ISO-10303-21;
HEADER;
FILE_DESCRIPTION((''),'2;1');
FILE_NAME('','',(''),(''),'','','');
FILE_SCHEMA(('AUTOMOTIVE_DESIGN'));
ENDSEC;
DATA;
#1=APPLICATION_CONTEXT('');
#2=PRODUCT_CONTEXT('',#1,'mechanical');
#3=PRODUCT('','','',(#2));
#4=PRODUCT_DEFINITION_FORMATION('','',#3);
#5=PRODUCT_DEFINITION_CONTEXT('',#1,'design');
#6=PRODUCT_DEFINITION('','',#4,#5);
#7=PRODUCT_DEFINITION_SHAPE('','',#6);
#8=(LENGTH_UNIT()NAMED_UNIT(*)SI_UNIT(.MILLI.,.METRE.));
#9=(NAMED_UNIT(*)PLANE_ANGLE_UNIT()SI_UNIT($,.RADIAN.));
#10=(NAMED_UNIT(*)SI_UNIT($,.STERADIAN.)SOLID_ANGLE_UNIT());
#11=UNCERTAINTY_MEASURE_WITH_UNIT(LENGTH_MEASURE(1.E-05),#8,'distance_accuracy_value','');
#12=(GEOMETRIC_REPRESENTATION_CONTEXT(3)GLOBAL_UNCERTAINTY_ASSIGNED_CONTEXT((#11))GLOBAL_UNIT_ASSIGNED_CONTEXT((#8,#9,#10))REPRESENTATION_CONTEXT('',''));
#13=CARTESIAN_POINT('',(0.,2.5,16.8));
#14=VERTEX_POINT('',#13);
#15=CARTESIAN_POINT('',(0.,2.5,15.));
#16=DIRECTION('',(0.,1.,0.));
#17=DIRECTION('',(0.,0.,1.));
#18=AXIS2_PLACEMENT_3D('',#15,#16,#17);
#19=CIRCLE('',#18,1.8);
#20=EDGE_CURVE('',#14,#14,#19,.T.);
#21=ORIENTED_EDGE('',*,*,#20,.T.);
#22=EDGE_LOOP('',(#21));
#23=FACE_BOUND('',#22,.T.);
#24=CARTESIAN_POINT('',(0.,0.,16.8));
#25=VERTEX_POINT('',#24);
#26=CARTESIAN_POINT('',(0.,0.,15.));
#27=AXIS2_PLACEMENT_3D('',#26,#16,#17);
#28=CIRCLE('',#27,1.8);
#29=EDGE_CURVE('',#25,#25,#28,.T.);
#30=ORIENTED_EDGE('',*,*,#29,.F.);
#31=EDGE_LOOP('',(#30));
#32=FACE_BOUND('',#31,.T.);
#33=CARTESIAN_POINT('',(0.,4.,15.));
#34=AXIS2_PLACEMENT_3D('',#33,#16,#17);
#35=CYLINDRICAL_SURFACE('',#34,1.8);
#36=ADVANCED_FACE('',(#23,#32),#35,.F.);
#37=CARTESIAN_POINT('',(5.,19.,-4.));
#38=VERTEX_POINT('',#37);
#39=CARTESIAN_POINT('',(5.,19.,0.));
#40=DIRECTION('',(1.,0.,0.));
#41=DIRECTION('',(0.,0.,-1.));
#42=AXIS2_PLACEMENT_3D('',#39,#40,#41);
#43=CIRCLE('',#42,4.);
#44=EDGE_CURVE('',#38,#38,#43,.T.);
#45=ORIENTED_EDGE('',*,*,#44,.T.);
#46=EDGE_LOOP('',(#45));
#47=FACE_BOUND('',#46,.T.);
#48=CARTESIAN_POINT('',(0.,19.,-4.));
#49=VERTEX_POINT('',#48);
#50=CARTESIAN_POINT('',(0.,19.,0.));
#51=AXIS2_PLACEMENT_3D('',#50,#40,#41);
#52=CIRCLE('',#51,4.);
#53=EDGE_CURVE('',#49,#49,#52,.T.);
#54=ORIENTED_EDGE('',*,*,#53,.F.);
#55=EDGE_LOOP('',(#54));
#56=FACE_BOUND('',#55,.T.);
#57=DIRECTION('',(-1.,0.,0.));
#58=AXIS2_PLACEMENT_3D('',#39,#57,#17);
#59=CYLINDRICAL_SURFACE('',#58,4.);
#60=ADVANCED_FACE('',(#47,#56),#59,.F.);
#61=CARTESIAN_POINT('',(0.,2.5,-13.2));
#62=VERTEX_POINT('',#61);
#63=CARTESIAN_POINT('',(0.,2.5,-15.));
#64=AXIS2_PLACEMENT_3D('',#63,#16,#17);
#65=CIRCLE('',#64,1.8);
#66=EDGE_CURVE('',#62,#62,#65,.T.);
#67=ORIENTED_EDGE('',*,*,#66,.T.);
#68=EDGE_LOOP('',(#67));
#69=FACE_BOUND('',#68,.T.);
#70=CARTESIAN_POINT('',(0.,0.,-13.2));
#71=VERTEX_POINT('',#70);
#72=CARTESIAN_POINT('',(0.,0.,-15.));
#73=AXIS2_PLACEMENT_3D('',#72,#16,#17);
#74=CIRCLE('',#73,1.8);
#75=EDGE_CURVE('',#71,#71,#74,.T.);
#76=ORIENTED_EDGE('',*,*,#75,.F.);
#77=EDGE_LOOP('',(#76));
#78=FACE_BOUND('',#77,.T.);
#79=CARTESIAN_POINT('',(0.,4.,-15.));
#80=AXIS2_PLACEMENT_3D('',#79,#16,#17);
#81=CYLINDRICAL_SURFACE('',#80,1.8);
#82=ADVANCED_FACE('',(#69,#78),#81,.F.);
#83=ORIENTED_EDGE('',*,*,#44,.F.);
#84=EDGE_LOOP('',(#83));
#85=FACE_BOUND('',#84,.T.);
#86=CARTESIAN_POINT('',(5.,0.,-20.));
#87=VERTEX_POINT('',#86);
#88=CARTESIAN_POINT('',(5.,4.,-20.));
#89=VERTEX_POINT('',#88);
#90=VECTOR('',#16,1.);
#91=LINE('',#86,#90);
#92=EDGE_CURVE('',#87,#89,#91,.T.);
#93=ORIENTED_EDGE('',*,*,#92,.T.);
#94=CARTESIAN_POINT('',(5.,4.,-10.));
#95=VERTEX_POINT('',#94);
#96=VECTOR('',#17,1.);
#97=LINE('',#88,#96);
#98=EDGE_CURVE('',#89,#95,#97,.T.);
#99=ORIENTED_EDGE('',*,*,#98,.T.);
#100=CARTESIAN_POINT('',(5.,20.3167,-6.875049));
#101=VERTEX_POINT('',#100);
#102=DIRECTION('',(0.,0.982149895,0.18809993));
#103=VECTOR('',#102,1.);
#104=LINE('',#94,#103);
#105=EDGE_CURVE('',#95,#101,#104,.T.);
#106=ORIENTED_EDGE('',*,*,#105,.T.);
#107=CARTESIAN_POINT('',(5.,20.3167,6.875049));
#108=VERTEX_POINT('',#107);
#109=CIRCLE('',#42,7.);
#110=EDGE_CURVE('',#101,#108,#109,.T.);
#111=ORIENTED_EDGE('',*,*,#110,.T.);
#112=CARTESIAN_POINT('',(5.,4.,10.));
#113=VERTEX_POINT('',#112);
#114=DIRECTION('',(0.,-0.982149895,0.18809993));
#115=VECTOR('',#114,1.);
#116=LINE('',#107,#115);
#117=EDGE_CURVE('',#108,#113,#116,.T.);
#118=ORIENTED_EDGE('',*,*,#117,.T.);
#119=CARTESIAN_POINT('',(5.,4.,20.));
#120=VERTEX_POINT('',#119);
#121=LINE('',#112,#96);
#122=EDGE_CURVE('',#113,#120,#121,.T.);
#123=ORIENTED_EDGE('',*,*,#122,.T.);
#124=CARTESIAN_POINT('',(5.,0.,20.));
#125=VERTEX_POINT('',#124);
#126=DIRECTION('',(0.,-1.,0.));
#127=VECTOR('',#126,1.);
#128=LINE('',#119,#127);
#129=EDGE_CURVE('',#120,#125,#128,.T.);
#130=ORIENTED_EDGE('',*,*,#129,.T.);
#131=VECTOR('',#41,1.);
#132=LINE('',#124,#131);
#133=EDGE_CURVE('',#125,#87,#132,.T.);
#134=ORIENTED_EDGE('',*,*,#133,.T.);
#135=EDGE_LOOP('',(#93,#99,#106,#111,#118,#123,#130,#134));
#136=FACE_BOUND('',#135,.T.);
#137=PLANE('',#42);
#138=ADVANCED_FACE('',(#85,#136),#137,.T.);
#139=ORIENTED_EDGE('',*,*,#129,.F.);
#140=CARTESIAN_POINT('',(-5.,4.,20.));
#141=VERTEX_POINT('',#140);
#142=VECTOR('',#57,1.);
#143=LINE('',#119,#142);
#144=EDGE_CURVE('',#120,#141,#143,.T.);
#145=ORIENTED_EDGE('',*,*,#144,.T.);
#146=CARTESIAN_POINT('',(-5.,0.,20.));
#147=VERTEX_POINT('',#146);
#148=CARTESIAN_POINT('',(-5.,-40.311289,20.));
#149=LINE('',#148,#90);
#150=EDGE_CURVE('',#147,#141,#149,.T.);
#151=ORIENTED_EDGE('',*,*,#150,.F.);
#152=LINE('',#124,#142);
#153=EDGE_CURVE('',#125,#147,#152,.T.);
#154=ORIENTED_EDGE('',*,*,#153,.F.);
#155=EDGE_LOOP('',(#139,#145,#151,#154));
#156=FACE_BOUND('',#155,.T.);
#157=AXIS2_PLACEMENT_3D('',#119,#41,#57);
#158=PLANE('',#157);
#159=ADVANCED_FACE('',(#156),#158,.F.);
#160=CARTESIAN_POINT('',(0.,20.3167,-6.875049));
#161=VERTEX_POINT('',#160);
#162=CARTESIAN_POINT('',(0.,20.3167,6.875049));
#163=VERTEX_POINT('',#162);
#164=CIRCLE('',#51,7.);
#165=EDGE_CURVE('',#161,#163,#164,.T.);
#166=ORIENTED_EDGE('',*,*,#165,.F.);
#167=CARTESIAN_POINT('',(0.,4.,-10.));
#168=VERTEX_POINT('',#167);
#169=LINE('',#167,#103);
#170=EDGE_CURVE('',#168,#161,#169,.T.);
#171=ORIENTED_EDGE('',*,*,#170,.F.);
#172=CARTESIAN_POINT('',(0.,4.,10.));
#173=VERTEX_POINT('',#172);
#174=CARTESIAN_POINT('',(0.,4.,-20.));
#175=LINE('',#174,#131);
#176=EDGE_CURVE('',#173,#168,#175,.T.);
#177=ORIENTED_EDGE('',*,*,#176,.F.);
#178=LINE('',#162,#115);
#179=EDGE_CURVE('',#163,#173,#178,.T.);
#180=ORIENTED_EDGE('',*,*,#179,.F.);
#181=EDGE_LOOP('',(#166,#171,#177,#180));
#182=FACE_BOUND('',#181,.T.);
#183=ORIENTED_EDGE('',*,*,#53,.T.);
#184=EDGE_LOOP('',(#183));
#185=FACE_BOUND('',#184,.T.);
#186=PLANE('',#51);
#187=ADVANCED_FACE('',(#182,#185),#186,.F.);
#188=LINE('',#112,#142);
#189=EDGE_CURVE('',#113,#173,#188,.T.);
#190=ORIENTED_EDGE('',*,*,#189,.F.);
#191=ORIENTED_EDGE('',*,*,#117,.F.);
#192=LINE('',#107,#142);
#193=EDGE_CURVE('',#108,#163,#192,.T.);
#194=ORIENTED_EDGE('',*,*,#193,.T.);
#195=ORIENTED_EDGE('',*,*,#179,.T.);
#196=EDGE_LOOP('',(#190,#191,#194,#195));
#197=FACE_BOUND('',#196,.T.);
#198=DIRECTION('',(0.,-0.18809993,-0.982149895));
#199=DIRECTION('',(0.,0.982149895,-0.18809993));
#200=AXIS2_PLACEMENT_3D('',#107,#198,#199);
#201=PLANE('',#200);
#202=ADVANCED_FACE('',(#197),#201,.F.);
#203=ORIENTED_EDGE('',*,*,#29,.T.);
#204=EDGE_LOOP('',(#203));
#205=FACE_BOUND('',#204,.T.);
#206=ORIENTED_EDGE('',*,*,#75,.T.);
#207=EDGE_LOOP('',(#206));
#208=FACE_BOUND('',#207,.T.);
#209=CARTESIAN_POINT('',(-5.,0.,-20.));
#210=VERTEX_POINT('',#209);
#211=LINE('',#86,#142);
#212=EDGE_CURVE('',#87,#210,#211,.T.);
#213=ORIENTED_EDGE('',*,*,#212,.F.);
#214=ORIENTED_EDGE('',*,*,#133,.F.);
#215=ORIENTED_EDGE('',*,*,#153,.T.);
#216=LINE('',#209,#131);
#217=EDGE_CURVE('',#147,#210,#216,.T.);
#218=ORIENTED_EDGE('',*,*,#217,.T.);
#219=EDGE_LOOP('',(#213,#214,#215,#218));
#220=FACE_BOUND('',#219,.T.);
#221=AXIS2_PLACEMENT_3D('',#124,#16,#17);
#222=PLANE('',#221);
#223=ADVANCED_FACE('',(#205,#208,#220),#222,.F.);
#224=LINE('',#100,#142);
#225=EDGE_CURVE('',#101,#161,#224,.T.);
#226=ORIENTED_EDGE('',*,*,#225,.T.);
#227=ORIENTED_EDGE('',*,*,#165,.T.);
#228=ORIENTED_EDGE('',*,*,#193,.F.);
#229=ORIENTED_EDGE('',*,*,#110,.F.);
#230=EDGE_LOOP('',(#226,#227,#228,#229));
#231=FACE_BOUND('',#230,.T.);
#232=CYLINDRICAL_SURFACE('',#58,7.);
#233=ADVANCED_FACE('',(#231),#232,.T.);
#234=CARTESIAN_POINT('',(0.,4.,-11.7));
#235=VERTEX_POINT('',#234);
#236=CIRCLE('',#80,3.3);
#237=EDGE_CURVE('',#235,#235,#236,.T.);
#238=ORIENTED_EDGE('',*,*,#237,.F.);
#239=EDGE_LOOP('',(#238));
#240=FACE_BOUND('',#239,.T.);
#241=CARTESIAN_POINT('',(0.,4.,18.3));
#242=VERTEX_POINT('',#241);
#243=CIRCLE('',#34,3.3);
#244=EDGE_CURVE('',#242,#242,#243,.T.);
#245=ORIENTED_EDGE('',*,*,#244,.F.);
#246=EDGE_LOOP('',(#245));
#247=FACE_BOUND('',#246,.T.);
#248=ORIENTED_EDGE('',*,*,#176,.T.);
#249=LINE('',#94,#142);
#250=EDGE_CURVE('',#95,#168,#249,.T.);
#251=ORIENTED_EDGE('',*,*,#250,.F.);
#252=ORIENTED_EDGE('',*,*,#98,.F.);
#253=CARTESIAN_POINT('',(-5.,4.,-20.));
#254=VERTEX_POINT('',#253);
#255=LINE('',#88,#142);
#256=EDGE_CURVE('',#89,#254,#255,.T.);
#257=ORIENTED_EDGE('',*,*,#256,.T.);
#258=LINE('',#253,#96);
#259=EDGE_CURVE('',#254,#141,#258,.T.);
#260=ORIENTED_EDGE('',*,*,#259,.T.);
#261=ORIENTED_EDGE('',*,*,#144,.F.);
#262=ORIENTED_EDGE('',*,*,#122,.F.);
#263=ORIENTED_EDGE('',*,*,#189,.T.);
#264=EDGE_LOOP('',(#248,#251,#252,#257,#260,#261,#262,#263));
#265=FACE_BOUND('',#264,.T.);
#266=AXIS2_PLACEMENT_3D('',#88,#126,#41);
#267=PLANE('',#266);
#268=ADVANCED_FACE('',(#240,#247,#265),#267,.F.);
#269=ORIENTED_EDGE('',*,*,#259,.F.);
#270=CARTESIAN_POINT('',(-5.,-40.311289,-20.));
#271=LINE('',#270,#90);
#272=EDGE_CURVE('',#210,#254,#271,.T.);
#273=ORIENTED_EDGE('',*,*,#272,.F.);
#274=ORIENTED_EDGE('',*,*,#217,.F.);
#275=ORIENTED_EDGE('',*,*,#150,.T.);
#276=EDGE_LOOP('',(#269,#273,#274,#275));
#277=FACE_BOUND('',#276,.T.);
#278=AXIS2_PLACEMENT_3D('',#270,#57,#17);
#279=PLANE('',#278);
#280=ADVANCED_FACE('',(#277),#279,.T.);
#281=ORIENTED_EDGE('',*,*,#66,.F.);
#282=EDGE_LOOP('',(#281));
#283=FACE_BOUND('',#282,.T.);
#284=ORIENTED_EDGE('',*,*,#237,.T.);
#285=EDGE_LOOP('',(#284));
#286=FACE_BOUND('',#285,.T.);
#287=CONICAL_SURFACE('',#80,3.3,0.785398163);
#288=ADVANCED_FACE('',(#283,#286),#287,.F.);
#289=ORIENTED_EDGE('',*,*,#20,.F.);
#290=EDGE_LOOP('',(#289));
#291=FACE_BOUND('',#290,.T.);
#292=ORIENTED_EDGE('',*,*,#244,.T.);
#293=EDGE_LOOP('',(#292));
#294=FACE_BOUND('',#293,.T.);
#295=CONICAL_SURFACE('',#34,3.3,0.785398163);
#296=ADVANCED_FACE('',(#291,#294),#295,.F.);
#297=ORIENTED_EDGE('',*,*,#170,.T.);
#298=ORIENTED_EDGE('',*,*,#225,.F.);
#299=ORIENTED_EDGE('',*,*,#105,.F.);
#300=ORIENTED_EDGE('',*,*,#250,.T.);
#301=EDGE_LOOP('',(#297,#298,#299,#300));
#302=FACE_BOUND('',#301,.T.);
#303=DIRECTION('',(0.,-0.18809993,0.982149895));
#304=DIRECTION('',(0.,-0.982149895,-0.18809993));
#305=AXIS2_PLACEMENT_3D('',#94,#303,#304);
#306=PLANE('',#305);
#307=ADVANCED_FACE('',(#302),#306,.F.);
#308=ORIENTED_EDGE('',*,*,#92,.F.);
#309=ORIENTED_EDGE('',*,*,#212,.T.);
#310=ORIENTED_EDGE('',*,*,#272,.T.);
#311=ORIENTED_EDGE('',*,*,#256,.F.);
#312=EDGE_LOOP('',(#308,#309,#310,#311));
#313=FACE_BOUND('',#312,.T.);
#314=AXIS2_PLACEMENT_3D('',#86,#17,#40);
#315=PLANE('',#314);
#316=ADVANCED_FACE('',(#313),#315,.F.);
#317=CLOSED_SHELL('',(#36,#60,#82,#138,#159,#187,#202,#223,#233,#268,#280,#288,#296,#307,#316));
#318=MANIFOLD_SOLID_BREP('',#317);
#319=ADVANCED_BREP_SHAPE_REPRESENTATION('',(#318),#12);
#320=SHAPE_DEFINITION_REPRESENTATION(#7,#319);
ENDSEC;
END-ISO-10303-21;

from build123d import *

# Parameters (mm, degrees)
SKETCH_1_R                = 4
EXTRUDE_1_DEPTH           = 5
SKETCH_2_W                = 5
SKETCH_2_H                = 40
EXTRUDE_2_DEPTH           = 4
HOLE_WIZARD_1_D           = 3.6
HOLE_WIZARD_1_CSINK_D     = 6.6
HOLE_WIZARD_1_CSINK_ANGLE = 90


with BuildPart() as part:
    # 草图1 → 凸台-拉伸1 (new body)
    with BuildSketch(Plane(origin=(0, 0, 0), x_dir=(0, 0, -1), z_dir=(1, 0, 0))):
        with BuildLine():
            Line((-6.875049265, 20.31669951), (-10, 4))
            Line((-10, 4), (-20, 4))
            Line((-20, 4), (-20, 0))
            Line((-20, 0), (20, 0))
            Line((20, 0), (20, 4))
            Line((20, 4), (10, 4))
            Line((10, 4), (6.875049265, 20.31669951))
            ThreePointArc((6.875049265, 20.31669951), (0, 26), (-6.875049265, 20.31669951))
        make_face()
        with Locations((0, 19)):
            Circle(SKETCH_1_R, mode=Mode.SUBTRACT)
    extrude(amount=EXTRUDE_1_DEPTH)

    # 草图2 → 凸台-拉伸2 (add)
    with BuildSketch(Plane(origin=(0, 4, 0), x_dir=(1, 0, 0), z_dir=(0, 1, 0))):
        with Locations((-2.5, 0)):
            Rectangle(SKETCH_2_W, SKETCH_2_H)
    extrude(amount=-EXTRUDE_2_DEPTH)

    # 打孔尺寸(%根据十字)槽半沉头木螺钉的类型1 (through all)
    with Locations(Plane(origin=(0, 4, 0), x_dir=(1, 0, 0), z_dir=(0, 1, 0))):
        with Locations((0, 15), (0, -15)):
            CounterSinkHole(HOLE_WIZARD_1_D / 2, HOLE_WIZARD_1_CSINK_D / 2, counter_sink_angle=HOLE_WIZARD_1_CSINK_ANGLE)


solid = part.part
